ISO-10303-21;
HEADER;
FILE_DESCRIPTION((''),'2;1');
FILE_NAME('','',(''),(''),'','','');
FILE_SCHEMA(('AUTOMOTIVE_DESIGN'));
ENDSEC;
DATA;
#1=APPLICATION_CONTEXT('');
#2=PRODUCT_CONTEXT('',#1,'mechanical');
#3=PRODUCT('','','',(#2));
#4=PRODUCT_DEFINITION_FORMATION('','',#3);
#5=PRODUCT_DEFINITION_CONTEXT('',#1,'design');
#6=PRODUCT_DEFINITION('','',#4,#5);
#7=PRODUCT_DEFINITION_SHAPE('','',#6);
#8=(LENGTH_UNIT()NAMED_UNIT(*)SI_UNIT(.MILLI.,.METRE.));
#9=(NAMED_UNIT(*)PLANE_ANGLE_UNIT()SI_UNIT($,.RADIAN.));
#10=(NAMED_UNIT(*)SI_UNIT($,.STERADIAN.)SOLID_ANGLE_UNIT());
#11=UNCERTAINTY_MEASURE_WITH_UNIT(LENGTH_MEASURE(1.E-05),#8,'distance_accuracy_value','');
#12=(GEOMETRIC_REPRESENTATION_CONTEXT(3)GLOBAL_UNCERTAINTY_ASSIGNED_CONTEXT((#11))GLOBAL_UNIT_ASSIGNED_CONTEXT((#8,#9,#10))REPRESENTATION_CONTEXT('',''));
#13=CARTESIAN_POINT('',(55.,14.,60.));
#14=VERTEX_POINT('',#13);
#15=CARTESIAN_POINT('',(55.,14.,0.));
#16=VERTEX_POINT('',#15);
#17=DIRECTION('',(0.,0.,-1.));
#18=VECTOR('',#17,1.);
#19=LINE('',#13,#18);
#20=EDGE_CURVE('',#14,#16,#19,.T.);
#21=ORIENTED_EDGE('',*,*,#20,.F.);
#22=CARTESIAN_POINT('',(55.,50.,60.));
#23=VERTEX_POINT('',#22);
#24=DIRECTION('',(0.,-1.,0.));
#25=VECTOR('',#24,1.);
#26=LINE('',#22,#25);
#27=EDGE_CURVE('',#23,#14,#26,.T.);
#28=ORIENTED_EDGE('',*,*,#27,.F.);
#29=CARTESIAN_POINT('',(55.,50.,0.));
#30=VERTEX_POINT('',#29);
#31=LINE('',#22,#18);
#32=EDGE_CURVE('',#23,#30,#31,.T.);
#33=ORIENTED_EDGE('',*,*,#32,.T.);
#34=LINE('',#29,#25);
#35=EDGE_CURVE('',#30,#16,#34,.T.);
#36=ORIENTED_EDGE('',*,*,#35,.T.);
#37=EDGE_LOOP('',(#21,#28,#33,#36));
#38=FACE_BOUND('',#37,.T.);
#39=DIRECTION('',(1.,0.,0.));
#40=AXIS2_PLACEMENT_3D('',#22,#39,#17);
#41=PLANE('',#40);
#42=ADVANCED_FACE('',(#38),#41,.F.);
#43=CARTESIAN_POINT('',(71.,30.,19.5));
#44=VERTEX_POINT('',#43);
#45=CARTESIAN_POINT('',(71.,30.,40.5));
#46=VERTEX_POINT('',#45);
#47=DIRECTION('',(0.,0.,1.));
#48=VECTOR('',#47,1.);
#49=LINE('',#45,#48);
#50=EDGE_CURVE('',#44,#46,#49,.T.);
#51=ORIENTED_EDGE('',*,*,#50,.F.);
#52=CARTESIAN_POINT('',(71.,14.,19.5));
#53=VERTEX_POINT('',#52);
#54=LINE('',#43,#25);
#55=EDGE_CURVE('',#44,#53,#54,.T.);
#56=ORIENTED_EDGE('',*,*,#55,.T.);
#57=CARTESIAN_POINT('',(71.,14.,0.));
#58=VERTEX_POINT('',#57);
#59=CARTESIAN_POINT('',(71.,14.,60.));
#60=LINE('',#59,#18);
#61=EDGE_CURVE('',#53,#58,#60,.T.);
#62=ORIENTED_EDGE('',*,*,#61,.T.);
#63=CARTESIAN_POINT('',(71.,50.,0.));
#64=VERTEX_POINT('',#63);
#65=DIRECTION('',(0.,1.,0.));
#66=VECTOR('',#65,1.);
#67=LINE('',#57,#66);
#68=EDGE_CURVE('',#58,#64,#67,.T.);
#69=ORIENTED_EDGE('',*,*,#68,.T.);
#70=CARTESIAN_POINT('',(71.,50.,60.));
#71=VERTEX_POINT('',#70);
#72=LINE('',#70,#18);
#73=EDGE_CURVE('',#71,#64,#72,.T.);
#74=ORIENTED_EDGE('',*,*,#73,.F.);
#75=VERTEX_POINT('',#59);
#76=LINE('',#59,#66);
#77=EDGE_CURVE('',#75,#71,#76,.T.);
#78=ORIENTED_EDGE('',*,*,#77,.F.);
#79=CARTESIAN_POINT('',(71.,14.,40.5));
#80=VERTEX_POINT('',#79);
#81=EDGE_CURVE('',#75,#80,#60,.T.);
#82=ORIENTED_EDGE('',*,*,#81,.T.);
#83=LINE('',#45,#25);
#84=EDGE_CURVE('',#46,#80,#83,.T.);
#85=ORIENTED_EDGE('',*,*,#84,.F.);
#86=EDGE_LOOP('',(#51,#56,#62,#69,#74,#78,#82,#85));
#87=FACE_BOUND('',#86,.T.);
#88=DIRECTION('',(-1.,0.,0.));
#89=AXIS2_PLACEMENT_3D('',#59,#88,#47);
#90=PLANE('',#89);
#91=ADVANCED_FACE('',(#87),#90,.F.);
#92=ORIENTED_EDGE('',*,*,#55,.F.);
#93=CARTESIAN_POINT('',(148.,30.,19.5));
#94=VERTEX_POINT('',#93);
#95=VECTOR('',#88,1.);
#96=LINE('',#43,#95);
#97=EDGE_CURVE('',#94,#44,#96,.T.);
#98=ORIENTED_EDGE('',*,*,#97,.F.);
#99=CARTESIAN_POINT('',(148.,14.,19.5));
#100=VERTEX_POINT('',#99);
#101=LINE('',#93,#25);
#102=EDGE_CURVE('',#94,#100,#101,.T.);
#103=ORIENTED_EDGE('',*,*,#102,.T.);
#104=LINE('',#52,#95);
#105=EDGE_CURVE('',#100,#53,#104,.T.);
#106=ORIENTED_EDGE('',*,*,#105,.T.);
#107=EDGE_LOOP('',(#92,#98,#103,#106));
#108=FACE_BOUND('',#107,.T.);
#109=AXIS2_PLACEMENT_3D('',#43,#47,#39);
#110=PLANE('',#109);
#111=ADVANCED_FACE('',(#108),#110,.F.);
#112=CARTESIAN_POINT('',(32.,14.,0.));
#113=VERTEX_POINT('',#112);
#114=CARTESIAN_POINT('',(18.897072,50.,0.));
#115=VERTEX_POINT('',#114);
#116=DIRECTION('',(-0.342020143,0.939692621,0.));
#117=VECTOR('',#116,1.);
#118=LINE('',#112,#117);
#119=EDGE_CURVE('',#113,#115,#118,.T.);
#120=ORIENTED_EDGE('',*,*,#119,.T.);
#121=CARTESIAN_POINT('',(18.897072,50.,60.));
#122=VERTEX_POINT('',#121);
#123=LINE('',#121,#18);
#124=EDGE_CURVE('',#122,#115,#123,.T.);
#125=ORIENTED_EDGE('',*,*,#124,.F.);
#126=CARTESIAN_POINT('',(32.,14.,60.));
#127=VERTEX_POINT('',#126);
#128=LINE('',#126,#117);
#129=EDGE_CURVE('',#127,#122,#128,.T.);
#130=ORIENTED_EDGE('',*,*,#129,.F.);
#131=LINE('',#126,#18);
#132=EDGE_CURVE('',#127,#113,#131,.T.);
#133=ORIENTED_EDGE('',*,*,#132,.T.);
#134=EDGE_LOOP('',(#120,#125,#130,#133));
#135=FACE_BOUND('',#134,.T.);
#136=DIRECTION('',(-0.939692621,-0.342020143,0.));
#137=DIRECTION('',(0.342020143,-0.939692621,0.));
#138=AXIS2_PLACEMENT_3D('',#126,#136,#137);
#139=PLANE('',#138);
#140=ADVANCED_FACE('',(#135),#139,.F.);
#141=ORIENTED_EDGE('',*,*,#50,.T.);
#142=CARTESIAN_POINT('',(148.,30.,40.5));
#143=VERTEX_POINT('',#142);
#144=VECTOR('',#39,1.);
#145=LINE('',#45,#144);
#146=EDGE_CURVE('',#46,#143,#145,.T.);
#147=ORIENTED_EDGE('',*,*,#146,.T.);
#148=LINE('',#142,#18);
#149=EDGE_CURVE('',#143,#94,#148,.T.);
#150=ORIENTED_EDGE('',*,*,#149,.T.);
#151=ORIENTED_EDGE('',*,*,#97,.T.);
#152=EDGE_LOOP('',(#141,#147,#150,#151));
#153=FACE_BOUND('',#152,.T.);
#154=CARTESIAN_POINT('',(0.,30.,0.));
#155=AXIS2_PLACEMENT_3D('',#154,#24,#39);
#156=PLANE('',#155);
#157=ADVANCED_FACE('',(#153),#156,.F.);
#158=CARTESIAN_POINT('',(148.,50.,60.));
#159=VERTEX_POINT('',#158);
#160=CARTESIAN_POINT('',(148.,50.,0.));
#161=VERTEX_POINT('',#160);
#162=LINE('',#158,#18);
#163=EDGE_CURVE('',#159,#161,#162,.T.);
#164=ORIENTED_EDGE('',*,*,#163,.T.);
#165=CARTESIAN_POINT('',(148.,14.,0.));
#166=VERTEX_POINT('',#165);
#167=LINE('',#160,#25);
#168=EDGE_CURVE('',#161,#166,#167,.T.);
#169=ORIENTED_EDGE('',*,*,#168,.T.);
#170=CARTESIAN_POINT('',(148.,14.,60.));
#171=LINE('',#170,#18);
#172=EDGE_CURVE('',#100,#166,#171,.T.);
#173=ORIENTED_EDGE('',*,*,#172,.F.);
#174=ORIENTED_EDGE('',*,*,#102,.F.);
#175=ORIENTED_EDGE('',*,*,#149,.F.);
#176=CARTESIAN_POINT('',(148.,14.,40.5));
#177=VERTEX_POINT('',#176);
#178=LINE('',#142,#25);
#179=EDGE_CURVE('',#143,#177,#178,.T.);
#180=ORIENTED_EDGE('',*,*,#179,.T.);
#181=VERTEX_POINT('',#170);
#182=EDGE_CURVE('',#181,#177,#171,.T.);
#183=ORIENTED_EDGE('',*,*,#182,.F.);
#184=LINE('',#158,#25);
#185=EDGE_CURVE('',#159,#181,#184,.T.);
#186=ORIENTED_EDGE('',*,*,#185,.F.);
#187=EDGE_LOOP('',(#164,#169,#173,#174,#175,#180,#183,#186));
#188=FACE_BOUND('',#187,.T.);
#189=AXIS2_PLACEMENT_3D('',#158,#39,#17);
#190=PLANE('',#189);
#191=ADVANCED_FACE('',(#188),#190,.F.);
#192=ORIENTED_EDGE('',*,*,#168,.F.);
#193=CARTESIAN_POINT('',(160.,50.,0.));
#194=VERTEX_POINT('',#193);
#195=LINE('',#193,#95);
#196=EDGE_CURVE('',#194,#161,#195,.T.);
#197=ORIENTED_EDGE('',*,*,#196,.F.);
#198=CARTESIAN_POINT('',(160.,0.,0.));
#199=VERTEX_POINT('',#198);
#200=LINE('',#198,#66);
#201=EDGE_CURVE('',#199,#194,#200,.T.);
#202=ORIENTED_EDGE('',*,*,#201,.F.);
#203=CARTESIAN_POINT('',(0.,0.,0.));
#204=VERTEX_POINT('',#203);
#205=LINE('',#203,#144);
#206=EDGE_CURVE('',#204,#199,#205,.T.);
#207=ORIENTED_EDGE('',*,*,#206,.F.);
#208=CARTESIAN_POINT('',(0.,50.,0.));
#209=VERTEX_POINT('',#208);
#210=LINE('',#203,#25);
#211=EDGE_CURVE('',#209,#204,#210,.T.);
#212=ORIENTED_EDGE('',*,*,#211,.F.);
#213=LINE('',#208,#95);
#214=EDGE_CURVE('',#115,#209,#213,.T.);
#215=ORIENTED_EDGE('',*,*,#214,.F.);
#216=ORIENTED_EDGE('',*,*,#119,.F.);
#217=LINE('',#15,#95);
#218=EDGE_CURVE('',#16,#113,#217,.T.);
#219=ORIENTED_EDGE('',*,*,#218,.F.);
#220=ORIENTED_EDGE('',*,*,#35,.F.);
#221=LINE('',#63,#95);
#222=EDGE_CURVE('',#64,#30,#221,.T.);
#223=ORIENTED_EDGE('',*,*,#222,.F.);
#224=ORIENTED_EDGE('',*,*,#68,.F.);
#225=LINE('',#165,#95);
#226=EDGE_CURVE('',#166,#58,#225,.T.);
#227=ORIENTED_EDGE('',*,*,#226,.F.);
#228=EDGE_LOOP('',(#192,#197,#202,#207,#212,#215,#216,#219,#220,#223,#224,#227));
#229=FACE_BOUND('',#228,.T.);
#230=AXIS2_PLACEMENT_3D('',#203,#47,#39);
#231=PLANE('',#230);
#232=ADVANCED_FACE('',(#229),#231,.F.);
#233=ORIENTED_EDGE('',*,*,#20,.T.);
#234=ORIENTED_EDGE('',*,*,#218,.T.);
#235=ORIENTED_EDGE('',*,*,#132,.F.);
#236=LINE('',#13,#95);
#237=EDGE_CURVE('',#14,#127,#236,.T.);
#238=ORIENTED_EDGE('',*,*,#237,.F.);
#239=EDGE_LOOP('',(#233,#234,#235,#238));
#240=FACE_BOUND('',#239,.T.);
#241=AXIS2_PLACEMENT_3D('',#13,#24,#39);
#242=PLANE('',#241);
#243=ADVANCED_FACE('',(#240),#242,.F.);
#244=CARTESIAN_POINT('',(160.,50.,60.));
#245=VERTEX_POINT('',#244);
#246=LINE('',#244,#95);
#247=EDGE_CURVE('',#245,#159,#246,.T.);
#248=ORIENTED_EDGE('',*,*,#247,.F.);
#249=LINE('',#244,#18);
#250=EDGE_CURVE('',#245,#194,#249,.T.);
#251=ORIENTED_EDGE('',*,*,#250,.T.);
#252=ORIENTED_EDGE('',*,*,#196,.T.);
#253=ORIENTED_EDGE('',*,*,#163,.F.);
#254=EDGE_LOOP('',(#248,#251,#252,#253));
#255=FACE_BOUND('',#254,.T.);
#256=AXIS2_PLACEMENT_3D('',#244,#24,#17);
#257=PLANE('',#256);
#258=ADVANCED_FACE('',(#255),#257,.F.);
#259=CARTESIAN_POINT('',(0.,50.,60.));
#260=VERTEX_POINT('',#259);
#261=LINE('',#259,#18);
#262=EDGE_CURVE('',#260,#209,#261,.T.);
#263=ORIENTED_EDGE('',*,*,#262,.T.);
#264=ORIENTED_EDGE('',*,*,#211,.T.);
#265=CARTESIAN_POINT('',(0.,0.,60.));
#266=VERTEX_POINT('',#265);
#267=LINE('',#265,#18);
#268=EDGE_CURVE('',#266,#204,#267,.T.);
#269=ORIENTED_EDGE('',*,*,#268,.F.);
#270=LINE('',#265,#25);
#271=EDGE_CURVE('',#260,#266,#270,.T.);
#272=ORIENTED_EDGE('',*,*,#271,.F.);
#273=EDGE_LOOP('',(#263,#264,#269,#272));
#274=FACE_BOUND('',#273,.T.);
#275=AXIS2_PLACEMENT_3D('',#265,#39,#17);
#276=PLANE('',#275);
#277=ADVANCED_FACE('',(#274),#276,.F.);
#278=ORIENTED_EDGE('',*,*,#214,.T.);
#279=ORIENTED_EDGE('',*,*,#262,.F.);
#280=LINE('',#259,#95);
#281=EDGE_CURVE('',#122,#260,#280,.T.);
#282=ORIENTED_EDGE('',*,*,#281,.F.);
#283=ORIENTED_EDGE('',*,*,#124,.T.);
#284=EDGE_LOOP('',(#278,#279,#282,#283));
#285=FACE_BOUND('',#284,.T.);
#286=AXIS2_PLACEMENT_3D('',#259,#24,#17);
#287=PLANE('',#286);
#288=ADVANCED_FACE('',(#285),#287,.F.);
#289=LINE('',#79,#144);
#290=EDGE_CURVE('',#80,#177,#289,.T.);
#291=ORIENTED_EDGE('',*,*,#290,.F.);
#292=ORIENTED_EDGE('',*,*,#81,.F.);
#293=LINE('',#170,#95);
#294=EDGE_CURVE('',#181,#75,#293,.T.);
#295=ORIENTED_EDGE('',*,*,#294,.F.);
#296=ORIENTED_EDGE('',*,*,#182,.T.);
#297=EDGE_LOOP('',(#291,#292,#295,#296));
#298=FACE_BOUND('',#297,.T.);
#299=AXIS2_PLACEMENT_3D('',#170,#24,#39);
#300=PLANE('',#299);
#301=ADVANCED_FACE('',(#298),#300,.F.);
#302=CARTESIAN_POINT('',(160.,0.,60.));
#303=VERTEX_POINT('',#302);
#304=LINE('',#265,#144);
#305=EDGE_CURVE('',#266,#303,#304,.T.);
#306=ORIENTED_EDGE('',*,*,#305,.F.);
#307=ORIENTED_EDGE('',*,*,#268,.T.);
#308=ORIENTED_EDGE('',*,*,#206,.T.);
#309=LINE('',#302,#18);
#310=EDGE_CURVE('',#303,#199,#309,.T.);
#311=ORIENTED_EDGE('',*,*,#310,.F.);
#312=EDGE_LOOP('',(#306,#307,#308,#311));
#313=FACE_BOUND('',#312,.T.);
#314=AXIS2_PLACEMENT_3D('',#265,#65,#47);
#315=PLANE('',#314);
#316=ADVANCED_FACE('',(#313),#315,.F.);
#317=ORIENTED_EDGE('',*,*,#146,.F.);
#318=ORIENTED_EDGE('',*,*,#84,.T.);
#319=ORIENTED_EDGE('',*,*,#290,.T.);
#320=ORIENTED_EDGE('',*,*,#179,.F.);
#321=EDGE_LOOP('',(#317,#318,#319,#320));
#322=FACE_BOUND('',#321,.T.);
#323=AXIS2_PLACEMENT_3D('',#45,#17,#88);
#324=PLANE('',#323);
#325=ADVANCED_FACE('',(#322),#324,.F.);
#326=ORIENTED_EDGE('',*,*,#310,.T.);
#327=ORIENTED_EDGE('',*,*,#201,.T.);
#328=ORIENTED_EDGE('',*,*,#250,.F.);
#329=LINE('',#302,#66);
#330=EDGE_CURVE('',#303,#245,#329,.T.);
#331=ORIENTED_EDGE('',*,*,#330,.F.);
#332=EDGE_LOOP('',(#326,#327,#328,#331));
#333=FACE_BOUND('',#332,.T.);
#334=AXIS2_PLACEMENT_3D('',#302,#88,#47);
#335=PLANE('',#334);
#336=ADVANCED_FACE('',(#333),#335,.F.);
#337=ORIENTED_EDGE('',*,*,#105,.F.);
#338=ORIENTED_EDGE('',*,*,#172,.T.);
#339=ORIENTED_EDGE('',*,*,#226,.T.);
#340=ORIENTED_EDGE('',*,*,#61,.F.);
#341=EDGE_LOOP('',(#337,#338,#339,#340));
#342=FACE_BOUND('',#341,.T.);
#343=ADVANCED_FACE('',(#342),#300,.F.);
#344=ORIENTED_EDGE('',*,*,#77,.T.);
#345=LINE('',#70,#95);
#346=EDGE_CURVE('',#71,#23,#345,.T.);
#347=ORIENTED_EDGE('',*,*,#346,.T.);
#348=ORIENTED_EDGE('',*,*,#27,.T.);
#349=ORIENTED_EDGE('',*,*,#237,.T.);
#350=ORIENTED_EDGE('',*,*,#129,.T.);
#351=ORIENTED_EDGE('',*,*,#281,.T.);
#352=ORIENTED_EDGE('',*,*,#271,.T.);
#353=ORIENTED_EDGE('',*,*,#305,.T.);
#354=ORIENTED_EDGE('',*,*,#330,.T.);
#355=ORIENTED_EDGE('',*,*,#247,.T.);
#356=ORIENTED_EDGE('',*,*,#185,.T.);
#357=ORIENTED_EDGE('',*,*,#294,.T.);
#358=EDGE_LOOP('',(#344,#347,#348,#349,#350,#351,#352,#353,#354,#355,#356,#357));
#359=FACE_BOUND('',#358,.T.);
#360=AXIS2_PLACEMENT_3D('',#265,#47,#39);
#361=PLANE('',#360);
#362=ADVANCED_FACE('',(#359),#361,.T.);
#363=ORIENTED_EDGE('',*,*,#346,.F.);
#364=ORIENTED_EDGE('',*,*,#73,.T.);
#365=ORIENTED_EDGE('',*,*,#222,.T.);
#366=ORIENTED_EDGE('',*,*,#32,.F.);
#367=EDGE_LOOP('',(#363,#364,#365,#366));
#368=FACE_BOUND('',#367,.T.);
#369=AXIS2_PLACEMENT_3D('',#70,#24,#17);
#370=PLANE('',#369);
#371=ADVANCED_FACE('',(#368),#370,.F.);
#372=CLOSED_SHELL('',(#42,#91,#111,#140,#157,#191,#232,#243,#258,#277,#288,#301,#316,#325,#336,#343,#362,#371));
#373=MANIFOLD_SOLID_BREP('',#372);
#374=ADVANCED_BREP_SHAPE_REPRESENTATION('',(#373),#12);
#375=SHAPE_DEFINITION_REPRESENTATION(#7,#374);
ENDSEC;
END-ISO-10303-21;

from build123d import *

# Parameters (mm, degrees)
BOSS_EXTRUDE1_DEPTH = 60
SKETCH3_W           = 77
SKETCH3_H           = 21
BOSS_EXTRUDE2_DEPTH = 16


with BuildPart() as part:
    # Sketch2 → Boss-Extrude1 (new body)
    with BuildSketch(Plane.XY):
        Polygon((0, 0), (0, 50), (18.897071566, 50), (32, 14), (55, 14), (55, 50), (71, 50), (71, 14), (148, 14), (148, 50), (160, 50), (160, 0), align=None)
    extrude(amount=BOSS_EXTRUDE1_DEPTH)

    # Sketch3 → Boss-Extrude2 (add)
    with BuildSketch(Plane(origin=(0, 14, 0), x_dir=(1, 0, 0), z_dir=(0, 1, 0))):
        with Locations((109.5, -30)):
            Rectangle(SKETCH3_W, SKETCH3_H)
    extrude(amount=BOSS_EXTRUDE2_DEPTH)


solid = part.part
